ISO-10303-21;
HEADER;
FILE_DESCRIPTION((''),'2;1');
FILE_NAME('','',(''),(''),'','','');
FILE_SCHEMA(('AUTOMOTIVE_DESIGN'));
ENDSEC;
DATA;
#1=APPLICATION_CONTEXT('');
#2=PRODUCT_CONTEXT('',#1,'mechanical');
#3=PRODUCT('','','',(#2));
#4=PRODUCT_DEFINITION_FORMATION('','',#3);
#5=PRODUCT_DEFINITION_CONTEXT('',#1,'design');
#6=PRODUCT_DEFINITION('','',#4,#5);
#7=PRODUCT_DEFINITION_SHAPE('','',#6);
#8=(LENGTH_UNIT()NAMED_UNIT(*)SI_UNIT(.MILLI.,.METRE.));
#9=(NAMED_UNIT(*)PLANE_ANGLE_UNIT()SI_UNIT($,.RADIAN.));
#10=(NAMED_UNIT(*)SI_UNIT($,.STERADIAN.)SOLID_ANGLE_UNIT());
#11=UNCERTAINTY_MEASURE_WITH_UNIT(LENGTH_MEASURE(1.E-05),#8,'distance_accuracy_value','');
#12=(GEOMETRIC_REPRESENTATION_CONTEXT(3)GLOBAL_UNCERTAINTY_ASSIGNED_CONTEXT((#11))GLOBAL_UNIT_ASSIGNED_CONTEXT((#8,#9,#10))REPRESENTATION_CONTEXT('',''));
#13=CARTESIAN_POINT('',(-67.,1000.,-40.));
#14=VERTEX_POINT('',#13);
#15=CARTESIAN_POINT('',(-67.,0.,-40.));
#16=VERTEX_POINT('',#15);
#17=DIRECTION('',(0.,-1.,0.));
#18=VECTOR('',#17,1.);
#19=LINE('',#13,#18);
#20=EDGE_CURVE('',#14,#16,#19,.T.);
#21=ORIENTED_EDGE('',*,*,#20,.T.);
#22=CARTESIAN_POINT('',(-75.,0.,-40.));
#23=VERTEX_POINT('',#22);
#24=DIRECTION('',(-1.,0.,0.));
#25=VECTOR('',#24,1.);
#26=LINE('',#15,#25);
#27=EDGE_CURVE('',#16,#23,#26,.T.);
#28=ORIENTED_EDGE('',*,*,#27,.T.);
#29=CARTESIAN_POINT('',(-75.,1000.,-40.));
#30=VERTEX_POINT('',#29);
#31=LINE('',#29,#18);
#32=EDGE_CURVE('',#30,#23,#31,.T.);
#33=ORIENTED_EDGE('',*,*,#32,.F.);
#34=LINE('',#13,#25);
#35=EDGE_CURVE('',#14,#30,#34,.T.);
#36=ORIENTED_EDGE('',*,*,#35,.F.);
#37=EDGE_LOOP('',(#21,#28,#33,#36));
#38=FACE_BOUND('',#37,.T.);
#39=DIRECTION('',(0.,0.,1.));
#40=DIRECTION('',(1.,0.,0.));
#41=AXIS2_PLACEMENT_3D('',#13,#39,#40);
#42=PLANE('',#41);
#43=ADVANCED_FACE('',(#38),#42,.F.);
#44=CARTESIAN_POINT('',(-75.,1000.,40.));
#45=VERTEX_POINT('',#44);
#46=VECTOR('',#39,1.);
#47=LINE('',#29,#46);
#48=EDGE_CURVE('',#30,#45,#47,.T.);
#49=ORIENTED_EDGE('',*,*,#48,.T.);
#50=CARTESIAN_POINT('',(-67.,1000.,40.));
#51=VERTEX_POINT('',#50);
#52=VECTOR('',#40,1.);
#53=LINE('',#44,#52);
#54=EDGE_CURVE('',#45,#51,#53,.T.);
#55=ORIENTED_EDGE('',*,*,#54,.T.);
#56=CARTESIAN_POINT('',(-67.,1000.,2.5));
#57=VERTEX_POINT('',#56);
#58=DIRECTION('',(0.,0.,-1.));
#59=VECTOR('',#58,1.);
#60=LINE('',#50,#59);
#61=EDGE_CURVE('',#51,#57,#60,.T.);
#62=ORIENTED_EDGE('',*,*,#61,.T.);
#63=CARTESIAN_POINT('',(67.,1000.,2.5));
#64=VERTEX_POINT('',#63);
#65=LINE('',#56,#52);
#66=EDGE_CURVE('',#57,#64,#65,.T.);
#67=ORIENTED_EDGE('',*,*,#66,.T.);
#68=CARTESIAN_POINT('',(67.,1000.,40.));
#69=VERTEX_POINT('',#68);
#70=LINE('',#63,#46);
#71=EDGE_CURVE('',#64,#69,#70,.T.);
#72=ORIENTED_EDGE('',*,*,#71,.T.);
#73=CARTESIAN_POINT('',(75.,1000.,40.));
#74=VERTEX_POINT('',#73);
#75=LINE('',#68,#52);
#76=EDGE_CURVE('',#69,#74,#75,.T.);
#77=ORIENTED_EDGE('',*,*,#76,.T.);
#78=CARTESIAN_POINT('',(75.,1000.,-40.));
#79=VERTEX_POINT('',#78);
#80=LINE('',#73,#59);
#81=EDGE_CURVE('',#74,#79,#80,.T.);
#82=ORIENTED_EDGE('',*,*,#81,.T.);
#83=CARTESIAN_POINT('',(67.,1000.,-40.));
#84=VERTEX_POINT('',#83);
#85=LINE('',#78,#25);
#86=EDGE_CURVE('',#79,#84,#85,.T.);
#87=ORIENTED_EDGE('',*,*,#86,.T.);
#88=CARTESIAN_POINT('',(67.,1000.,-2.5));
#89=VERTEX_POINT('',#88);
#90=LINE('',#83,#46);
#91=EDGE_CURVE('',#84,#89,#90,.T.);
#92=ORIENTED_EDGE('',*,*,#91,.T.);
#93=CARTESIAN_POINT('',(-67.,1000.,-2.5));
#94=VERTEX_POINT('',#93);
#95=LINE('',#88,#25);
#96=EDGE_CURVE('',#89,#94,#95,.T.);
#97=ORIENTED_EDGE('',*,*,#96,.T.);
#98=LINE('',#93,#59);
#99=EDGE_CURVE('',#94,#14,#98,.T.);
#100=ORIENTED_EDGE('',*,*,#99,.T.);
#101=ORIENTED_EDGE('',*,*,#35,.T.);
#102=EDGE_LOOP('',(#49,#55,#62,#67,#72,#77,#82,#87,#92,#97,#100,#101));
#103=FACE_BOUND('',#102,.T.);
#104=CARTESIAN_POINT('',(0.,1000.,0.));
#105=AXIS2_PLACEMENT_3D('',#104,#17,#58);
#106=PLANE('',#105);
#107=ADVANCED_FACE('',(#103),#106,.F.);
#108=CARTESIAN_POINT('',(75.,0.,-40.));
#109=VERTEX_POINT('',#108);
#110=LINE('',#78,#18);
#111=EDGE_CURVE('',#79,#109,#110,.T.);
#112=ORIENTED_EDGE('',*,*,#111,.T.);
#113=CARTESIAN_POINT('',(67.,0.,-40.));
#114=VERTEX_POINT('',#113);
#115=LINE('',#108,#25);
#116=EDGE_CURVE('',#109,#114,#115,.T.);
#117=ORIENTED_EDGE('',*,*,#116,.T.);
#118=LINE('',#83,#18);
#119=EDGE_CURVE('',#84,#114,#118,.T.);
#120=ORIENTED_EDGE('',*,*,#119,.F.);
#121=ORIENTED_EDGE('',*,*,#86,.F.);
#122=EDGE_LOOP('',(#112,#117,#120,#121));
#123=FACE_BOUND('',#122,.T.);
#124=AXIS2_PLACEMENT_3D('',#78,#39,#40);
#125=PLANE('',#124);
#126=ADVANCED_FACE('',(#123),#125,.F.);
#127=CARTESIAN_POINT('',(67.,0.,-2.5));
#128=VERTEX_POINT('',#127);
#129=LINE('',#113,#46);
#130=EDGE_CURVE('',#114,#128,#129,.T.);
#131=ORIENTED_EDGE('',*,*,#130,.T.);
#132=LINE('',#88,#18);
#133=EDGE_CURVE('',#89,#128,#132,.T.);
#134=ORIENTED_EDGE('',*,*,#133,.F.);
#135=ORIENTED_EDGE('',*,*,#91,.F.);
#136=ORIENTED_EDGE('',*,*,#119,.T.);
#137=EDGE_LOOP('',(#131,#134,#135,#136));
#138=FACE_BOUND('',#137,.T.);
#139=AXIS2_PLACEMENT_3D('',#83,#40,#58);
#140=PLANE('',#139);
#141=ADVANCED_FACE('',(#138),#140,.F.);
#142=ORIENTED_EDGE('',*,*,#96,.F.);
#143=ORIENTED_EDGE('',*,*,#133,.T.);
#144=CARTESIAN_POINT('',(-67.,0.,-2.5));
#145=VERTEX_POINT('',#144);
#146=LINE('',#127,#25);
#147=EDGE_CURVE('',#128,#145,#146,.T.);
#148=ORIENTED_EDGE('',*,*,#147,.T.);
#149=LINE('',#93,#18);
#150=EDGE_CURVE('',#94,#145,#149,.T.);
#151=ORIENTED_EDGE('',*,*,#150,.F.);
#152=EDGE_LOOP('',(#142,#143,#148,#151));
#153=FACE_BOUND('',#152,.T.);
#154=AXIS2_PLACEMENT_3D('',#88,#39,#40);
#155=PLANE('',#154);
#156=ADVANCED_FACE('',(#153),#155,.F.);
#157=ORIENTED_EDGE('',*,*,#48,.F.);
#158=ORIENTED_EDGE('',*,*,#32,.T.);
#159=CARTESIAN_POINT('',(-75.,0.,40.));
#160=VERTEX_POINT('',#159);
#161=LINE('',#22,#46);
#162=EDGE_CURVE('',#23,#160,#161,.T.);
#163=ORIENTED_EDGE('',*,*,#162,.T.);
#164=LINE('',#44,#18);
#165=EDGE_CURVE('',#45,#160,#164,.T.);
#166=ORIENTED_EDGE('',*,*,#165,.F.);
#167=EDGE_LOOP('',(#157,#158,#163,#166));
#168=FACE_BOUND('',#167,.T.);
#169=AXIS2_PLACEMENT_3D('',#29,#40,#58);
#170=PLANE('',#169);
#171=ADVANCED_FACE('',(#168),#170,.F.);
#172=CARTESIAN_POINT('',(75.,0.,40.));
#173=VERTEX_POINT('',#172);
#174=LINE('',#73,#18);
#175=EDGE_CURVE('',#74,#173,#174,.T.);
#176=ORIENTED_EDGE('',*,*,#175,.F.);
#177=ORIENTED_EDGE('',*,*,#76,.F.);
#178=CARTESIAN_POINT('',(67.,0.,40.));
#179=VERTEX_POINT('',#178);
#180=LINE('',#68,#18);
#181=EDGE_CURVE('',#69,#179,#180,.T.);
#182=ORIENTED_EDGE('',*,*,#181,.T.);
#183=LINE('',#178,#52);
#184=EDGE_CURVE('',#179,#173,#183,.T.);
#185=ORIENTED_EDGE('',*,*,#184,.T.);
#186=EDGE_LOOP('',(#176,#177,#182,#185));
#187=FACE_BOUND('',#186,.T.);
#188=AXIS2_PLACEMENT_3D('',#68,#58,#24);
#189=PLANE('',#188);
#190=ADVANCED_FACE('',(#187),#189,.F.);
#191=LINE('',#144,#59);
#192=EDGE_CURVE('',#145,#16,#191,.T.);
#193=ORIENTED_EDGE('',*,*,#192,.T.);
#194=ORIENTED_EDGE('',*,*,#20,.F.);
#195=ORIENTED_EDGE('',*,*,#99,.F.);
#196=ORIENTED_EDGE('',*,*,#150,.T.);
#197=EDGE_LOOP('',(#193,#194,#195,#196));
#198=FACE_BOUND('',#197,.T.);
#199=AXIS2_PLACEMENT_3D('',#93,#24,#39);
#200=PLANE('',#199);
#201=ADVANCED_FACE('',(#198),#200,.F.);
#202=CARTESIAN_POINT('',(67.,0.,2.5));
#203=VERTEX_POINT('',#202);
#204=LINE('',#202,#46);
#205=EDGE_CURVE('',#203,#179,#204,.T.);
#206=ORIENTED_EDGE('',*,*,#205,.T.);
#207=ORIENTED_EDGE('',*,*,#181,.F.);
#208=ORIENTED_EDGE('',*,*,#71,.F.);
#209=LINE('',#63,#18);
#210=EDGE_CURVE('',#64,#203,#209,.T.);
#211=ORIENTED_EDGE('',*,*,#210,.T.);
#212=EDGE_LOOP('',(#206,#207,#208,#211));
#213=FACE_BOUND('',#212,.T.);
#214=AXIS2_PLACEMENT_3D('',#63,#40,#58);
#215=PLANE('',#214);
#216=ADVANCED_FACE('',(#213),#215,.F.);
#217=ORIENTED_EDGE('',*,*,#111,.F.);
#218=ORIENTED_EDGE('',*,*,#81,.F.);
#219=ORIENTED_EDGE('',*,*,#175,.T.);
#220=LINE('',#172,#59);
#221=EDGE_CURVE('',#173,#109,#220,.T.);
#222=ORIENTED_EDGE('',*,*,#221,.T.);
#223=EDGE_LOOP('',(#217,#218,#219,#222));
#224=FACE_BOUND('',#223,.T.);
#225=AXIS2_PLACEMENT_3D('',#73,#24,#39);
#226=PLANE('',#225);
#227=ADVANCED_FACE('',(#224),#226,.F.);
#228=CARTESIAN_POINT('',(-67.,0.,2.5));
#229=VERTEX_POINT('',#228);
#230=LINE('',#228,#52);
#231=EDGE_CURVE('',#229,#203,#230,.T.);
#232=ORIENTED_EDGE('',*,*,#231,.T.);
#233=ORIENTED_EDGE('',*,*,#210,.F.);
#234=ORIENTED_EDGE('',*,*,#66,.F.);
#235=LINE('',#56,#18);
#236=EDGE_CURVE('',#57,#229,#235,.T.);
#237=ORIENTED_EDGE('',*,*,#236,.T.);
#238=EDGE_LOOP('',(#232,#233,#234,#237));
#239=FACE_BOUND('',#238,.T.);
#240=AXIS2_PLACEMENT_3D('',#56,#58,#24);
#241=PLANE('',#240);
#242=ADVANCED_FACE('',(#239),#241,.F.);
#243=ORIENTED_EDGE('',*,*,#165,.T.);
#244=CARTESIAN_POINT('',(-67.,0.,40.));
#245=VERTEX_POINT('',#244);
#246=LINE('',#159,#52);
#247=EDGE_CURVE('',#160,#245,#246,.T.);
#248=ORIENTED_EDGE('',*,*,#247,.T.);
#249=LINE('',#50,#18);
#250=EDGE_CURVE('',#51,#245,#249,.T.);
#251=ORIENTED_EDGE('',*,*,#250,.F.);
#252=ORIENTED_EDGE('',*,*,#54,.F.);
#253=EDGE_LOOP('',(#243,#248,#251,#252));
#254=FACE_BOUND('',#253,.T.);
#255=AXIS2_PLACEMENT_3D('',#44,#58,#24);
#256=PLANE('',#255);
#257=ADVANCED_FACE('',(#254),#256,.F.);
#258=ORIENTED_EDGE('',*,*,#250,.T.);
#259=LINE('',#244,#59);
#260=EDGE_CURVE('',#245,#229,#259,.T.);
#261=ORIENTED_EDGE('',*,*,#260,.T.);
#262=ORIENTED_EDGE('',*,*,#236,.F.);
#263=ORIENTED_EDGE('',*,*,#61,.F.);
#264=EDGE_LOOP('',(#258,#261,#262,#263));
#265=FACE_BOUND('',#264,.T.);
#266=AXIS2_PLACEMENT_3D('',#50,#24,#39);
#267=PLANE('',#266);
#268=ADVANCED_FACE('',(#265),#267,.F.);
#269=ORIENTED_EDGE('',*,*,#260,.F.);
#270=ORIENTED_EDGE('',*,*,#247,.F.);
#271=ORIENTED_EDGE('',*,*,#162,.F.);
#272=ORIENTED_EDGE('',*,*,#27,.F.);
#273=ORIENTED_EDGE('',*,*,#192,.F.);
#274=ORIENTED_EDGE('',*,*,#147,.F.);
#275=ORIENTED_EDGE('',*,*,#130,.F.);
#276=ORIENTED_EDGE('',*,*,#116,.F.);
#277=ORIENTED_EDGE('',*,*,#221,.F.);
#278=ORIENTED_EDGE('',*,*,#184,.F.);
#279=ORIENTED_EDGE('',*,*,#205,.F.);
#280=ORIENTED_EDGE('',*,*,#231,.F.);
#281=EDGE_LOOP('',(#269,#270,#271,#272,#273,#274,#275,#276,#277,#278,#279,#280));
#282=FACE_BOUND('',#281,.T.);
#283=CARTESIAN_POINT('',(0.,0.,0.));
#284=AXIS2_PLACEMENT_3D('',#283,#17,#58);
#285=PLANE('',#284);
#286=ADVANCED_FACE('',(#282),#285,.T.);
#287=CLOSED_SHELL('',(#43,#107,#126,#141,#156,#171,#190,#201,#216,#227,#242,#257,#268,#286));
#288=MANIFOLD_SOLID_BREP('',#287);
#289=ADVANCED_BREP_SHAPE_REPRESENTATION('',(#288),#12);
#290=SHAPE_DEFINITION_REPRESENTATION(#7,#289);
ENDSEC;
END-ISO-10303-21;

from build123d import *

# Parameters (mm, degrees)
BOSS_EXTRUDE1_DEPTH = 1000


with BuildPart() as part:
    # Sketch1 → Boss-Extrude1 (new body)
    with BuildSketch(Plane(origin=(0, 0, 0), x_dir=(1, 0, 0), z_dir=(0, 1, 0))):
        Polygon((-67, 2.5), (-67, 40), (-75, 40), (-75, -40), (-67, -40), (-67, -2.5), (67, -2.5), (67, -40), (75, -40), (75, 40), (67, 40), (67, 2.5), align=None)
    extrude(amount=BOSS_EXTRUDE1_DEPTH)


solid = part.part
